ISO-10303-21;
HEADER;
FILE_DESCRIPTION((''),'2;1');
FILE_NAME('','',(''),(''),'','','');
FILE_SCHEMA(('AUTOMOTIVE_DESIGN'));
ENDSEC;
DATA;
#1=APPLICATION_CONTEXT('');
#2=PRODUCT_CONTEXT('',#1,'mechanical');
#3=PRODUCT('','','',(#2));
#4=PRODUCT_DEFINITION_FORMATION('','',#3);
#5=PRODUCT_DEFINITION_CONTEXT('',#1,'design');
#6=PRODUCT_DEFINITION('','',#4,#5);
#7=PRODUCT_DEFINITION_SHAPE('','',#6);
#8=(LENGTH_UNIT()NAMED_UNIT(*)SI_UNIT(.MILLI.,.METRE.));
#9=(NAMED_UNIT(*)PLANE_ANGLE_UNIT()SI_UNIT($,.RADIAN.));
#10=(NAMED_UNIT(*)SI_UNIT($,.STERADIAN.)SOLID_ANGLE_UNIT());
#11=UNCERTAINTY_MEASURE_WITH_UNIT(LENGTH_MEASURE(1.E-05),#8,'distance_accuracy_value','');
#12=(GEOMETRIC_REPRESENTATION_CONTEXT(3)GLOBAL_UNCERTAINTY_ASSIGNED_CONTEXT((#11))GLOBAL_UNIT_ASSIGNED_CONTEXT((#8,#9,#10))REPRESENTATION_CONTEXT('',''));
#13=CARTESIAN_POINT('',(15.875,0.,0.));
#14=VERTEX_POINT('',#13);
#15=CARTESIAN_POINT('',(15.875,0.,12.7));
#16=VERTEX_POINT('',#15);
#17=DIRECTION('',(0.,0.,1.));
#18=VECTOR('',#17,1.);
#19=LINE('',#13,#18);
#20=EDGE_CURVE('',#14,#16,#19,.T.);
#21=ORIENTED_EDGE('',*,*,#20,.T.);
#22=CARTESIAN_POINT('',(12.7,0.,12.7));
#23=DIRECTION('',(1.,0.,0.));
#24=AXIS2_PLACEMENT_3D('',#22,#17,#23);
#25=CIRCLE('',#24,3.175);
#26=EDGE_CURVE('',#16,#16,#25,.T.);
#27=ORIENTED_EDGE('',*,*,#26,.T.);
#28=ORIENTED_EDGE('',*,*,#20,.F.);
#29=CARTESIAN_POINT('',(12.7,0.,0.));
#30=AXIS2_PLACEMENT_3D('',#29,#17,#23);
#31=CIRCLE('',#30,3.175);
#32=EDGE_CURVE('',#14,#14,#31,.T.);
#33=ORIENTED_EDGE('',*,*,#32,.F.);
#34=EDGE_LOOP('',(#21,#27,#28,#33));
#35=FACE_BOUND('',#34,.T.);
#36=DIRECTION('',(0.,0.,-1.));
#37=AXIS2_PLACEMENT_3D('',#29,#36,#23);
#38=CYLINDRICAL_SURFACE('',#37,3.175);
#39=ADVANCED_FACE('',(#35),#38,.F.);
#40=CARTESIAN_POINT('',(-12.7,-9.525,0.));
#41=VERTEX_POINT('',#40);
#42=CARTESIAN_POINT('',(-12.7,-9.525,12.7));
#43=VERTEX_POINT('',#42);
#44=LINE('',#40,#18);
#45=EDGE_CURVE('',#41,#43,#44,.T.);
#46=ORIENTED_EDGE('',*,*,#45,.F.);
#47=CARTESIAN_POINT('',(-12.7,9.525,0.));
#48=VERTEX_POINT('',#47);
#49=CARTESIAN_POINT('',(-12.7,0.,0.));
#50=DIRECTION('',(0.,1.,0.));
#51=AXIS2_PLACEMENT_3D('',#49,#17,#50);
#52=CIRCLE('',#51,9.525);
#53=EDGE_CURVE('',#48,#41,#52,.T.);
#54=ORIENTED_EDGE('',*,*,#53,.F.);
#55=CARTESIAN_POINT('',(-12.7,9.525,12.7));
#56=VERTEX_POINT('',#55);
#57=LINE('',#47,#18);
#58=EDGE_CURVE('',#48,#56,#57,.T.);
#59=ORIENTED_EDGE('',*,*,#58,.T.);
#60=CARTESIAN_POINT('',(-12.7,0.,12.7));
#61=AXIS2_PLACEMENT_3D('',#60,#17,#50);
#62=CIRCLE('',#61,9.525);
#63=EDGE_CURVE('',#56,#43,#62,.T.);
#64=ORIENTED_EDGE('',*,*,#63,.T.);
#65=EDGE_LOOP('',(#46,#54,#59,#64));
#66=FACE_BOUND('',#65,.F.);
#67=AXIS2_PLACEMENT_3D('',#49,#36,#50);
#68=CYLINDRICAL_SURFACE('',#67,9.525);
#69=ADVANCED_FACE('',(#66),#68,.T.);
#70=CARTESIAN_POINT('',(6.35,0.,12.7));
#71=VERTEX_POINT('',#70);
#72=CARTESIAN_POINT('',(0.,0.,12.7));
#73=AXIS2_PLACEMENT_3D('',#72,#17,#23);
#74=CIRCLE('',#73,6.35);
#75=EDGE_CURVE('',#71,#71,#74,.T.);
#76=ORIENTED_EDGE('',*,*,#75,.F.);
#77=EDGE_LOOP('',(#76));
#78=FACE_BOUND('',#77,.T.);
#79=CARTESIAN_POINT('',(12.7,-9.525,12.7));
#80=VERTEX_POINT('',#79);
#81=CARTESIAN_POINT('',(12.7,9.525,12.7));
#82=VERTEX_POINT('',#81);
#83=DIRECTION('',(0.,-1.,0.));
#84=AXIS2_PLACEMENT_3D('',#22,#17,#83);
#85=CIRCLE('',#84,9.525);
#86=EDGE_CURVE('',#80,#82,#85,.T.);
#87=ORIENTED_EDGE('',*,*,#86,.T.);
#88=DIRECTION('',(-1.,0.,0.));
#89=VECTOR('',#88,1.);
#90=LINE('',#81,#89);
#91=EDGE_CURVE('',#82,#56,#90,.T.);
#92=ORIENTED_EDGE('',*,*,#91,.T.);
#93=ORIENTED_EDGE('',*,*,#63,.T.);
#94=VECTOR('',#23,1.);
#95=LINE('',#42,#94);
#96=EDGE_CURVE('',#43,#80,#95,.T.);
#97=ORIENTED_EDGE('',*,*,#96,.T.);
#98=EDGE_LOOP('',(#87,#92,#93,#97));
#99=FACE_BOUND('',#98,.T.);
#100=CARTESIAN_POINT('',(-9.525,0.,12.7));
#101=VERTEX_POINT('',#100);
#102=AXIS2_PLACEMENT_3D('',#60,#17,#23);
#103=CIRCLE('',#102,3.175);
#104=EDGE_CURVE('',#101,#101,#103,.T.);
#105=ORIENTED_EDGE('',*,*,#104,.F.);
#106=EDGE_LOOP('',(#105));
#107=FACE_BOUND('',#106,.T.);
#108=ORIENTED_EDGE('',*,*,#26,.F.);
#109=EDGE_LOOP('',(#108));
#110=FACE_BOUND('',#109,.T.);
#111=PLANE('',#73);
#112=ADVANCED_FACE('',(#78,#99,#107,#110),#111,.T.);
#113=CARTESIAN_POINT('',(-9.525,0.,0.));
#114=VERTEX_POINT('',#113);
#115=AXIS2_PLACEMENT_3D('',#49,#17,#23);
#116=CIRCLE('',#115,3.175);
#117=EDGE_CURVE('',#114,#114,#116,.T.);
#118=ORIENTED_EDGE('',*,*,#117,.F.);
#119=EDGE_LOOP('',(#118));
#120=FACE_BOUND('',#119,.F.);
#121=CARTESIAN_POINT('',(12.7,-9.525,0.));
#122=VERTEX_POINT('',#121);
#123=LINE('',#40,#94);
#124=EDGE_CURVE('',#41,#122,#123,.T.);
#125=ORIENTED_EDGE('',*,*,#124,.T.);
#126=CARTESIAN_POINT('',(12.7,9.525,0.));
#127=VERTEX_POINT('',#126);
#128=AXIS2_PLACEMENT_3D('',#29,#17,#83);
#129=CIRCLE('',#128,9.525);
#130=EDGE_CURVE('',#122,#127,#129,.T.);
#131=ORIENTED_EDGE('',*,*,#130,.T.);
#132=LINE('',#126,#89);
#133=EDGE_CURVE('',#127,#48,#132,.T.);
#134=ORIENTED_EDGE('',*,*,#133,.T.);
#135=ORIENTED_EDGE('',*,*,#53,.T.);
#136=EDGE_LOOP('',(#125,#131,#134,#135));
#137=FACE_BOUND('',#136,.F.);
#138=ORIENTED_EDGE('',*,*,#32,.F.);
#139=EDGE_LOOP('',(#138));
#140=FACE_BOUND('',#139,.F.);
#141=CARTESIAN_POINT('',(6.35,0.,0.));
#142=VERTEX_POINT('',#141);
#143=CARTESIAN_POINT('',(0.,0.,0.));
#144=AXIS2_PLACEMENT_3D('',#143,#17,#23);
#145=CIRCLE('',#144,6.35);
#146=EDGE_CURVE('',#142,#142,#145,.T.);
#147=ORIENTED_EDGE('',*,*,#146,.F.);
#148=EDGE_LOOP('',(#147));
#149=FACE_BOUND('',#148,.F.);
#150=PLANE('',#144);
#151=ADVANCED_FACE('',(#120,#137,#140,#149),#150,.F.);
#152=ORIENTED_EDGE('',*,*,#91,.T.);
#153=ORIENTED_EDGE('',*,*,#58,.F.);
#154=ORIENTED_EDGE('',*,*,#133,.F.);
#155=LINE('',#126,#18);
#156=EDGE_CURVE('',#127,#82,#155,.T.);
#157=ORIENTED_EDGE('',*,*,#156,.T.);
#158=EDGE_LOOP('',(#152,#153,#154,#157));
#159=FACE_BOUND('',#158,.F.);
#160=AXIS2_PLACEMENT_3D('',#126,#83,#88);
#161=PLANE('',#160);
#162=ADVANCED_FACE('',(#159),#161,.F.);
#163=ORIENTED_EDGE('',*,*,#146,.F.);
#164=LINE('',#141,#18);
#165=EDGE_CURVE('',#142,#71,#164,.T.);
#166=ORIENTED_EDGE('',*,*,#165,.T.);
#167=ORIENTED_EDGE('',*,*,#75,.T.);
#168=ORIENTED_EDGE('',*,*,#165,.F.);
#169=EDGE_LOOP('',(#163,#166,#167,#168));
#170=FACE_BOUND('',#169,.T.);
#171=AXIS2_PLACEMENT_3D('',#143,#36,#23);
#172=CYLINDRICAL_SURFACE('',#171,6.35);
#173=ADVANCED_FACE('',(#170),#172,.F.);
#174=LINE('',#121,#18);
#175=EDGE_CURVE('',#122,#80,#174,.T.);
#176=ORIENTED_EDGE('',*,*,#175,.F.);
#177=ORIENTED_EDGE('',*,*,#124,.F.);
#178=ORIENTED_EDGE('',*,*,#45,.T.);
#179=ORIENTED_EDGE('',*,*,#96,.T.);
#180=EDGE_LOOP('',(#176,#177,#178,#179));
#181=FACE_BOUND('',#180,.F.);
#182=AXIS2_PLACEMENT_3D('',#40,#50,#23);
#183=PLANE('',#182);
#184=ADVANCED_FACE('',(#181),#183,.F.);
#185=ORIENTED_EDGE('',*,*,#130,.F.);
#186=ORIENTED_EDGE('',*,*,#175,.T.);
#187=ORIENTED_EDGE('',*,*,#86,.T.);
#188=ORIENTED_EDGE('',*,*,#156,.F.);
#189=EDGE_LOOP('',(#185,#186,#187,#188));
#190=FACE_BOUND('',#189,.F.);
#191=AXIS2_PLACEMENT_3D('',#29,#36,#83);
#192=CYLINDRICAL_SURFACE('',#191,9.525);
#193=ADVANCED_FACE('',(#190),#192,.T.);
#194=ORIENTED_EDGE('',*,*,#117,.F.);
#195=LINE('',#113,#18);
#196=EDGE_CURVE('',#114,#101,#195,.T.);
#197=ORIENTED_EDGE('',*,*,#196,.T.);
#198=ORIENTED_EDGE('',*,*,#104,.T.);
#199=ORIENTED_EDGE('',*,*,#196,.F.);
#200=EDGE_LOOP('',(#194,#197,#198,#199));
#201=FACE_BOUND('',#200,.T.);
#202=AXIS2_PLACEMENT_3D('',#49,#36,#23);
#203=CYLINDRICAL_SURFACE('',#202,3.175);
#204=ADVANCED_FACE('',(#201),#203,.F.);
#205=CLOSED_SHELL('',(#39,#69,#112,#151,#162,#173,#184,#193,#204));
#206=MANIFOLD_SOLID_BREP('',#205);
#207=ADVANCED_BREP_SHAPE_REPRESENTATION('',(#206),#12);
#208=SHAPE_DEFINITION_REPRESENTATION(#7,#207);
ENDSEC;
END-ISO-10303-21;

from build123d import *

# Parameters (mm, degrees)
F0_R     = 3.175
F0_R_2   = 6.35
F1_DEPTH = 12.7


with BuildPart() as f1:
    # F0 (on Top) → F1 (new body)
    with BuildSketch(Plane.XY):
        with BuildLine():
            ThreePointArc((12.7, -9.525), (22.225, 0), (12.7, 9.525))
            Line((12.7, 9.525), (-12.7, 9.525))
            ThreePointArc((-12.7, 9.525), (-22.225, 0), (-12.7, -9.525))
            Line((-12.7, -9.525), (12.7, -9.525))
        make_face()
        with Locations((-12.7, 0)):
            Circle(F0_R, mode=Mode.SUBTRACT)
        Circle(F0_R_2, mode=Mode.SUBTRACT)
        with Locations((12.7, 0)):
            Circle(F0_R, mode=Mode.SUBTRACT)
    extrude(amount=F1_DEPTH)


solid = f1.part
